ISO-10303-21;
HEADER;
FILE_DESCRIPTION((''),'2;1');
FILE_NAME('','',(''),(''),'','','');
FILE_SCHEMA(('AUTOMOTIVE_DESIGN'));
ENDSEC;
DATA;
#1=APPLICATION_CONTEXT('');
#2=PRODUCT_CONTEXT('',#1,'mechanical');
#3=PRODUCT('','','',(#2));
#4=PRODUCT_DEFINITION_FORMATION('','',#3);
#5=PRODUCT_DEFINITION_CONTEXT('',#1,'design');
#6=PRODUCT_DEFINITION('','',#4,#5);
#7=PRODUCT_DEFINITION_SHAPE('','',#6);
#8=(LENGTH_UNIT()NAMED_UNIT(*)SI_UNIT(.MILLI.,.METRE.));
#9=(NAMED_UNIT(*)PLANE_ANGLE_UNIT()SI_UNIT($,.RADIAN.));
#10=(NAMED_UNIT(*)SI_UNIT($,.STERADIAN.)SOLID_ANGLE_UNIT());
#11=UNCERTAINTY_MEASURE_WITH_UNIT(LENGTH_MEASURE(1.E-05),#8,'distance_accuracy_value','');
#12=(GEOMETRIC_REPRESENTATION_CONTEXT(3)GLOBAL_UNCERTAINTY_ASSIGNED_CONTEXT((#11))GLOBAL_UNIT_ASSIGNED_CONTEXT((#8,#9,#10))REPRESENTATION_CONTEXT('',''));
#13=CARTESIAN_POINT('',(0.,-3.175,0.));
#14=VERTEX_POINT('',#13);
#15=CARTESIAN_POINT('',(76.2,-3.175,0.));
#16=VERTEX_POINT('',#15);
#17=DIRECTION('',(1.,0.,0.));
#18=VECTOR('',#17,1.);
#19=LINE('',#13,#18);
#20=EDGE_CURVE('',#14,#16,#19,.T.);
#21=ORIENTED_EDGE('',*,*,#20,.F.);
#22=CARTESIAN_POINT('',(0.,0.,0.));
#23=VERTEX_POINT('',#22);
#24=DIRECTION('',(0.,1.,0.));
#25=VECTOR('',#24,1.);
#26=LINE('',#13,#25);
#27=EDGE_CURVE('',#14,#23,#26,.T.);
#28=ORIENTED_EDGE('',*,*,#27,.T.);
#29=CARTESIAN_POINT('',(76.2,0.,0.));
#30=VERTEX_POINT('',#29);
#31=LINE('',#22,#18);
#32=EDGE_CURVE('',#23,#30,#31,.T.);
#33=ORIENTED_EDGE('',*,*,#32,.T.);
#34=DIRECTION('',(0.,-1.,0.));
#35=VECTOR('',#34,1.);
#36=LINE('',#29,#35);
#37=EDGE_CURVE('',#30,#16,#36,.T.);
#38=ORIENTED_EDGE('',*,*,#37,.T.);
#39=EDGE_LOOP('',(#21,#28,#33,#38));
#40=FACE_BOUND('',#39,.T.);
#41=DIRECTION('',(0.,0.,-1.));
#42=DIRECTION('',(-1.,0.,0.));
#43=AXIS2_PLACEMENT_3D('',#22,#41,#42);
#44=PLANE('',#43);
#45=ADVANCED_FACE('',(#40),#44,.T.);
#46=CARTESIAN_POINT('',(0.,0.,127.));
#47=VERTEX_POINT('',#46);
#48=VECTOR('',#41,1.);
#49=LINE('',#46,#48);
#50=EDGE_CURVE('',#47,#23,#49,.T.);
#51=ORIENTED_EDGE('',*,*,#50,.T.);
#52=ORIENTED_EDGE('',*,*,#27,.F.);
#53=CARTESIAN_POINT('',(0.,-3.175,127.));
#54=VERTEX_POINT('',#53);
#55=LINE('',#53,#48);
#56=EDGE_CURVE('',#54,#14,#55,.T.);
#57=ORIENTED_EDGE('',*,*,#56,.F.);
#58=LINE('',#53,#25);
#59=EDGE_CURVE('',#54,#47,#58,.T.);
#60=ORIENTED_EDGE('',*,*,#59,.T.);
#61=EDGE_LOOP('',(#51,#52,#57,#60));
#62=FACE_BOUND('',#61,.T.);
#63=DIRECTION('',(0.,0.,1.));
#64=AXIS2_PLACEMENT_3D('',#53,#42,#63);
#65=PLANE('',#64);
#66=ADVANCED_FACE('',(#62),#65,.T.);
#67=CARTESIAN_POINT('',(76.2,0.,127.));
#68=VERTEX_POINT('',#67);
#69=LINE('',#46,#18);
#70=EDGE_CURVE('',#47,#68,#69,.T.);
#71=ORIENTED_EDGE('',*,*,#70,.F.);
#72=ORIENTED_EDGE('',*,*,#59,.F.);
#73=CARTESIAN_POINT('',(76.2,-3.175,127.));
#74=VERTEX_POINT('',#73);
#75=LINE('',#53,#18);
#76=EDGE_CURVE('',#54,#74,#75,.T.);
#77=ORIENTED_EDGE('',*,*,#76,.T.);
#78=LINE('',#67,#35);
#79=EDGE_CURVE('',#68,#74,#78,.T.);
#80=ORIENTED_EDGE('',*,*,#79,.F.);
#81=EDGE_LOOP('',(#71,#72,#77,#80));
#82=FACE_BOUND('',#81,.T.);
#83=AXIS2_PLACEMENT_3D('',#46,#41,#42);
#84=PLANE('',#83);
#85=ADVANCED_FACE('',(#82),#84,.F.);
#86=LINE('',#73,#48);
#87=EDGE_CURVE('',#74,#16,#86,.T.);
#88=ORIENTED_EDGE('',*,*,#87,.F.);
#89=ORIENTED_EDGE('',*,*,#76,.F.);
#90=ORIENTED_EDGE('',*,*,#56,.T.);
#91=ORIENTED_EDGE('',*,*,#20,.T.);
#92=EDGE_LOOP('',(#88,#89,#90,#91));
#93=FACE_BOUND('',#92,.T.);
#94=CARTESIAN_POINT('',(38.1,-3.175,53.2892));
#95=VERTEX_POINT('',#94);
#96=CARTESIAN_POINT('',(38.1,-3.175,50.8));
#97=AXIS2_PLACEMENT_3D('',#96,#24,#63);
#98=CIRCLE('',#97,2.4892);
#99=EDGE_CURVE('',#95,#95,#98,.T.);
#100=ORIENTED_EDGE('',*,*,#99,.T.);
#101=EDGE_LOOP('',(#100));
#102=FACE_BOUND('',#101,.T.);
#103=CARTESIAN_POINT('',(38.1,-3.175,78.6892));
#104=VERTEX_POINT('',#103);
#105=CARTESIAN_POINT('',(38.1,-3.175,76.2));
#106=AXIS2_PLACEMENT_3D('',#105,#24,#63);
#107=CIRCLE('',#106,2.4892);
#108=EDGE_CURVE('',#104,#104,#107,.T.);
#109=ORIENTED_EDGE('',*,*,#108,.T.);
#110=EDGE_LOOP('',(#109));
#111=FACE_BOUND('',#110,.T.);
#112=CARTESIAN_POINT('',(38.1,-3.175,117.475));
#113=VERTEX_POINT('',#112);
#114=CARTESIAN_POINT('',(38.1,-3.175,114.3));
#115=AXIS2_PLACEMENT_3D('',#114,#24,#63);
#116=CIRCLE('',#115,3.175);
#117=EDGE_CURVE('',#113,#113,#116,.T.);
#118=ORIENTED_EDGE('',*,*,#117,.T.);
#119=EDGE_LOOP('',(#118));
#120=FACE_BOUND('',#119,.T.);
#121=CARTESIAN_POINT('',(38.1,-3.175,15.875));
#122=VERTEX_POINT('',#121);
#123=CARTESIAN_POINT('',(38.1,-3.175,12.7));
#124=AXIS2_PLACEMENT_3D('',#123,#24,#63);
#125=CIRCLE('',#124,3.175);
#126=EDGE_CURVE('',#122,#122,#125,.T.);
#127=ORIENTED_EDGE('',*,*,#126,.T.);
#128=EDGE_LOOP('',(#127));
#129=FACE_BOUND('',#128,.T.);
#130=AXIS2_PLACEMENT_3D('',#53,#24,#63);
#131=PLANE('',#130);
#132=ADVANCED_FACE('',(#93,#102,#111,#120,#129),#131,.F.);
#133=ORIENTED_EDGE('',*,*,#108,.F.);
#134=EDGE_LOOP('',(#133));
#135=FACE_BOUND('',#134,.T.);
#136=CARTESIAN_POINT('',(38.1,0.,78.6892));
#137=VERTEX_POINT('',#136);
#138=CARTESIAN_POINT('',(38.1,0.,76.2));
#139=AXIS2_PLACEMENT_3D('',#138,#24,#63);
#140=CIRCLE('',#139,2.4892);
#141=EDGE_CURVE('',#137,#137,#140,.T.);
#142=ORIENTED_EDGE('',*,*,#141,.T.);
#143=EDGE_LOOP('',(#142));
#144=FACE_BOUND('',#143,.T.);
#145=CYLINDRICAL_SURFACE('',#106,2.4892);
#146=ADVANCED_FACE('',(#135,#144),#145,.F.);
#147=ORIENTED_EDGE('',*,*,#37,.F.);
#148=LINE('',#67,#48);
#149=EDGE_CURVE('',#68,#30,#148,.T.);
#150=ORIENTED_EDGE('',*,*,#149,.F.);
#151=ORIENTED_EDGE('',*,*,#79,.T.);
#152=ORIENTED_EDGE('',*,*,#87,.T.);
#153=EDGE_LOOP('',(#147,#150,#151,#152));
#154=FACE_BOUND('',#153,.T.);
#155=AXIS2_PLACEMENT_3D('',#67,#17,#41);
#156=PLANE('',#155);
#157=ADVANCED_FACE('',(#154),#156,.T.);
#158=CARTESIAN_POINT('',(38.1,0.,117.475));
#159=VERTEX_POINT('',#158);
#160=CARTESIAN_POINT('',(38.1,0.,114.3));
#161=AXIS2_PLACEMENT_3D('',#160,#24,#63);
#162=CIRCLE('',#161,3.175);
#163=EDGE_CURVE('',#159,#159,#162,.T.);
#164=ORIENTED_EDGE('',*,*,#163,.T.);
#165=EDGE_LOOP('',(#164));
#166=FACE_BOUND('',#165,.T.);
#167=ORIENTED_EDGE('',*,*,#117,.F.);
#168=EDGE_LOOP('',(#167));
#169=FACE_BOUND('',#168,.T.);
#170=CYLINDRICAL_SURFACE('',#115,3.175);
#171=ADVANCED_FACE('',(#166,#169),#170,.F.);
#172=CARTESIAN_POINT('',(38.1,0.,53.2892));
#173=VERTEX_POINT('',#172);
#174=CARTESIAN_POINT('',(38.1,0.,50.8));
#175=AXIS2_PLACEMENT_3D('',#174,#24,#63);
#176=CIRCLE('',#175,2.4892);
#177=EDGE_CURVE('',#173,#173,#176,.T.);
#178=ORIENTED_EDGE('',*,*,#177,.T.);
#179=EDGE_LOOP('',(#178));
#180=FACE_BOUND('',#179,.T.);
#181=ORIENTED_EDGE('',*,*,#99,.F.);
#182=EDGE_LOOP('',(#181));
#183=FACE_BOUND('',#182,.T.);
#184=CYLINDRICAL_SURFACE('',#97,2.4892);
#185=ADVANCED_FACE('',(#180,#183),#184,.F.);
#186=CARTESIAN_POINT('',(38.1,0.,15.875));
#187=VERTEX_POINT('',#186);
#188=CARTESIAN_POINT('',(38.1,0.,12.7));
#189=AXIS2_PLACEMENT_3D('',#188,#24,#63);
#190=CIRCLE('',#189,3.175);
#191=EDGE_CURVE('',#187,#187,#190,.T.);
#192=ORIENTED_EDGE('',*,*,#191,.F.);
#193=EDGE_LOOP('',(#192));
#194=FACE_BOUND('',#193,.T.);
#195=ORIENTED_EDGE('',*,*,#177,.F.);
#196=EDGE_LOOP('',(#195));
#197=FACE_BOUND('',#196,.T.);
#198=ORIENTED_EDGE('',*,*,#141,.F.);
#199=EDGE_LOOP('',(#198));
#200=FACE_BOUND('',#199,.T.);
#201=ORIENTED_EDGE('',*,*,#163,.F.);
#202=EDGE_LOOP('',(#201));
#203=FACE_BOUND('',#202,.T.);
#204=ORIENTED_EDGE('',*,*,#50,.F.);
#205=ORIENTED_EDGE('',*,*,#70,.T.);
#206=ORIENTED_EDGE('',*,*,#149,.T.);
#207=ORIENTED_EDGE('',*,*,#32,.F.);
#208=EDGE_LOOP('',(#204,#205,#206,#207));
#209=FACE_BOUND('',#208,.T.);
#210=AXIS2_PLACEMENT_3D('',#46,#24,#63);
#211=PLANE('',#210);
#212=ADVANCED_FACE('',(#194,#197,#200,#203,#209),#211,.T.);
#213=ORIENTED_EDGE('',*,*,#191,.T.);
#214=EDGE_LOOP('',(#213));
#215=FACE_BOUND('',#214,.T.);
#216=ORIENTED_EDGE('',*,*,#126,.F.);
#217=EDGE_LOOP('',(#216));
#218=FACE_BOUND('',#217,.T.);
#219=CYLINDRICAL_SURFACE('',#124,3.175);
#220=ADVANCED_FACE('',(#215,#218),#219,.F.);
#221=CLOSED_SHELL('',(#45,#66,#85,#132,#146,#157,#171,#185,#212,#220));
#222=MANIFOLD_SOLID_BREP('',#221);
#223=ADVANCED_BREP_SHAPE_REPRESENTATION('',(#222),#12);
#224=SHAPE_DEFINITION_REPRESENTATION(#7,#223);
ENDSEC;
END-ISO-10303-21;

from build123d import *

# Parameters (mm, degrees)
SKETCH1_W           = 76.2
SKETCH1_H           = 3.175
EXTRUDE_THIN1_DEPTH = 127
SKETCH2_R           = 3.175
SKETCH2_R_2         = 2.4892
CUT_EXTRUDE1_DEPTH  = 4.175


with BuildPart() as part:
    # Sketch1 → Extrude-Thin1 (new body)
    with BuildSketch(Plane.XY):
        with Locations((38.1, -1.5875)):
            Rectangle(SKETCH1_W, SKETCH1_H)
    extrude(amount=EXTRUDE_THIN1_DEPTH)

    # Sketch2 → Cut-Extrude1 (cut, through all)
    with BuildSketch(Plane(origin=(0, 0, 0), x_dir=(1, 0, 0), z_dir=(0, 1, 0))):
        with Locations((38.1, -12.7)):
            Circle(SKETCH2_R)
        with Locations((38.1, -50.8)):
            Circle(SKETCH2_R_2)
        with Locations((38.1, -76.2)):
            Circle(SKETCH2_R_2)
        with Locations((38.1, -114.3)):
            Circle(SKETCH2_R)
    extrude(amount=-CUT_EXTRUDE1_DEPTH, mode=Mode.SUBTRACT)


solid = part.part
